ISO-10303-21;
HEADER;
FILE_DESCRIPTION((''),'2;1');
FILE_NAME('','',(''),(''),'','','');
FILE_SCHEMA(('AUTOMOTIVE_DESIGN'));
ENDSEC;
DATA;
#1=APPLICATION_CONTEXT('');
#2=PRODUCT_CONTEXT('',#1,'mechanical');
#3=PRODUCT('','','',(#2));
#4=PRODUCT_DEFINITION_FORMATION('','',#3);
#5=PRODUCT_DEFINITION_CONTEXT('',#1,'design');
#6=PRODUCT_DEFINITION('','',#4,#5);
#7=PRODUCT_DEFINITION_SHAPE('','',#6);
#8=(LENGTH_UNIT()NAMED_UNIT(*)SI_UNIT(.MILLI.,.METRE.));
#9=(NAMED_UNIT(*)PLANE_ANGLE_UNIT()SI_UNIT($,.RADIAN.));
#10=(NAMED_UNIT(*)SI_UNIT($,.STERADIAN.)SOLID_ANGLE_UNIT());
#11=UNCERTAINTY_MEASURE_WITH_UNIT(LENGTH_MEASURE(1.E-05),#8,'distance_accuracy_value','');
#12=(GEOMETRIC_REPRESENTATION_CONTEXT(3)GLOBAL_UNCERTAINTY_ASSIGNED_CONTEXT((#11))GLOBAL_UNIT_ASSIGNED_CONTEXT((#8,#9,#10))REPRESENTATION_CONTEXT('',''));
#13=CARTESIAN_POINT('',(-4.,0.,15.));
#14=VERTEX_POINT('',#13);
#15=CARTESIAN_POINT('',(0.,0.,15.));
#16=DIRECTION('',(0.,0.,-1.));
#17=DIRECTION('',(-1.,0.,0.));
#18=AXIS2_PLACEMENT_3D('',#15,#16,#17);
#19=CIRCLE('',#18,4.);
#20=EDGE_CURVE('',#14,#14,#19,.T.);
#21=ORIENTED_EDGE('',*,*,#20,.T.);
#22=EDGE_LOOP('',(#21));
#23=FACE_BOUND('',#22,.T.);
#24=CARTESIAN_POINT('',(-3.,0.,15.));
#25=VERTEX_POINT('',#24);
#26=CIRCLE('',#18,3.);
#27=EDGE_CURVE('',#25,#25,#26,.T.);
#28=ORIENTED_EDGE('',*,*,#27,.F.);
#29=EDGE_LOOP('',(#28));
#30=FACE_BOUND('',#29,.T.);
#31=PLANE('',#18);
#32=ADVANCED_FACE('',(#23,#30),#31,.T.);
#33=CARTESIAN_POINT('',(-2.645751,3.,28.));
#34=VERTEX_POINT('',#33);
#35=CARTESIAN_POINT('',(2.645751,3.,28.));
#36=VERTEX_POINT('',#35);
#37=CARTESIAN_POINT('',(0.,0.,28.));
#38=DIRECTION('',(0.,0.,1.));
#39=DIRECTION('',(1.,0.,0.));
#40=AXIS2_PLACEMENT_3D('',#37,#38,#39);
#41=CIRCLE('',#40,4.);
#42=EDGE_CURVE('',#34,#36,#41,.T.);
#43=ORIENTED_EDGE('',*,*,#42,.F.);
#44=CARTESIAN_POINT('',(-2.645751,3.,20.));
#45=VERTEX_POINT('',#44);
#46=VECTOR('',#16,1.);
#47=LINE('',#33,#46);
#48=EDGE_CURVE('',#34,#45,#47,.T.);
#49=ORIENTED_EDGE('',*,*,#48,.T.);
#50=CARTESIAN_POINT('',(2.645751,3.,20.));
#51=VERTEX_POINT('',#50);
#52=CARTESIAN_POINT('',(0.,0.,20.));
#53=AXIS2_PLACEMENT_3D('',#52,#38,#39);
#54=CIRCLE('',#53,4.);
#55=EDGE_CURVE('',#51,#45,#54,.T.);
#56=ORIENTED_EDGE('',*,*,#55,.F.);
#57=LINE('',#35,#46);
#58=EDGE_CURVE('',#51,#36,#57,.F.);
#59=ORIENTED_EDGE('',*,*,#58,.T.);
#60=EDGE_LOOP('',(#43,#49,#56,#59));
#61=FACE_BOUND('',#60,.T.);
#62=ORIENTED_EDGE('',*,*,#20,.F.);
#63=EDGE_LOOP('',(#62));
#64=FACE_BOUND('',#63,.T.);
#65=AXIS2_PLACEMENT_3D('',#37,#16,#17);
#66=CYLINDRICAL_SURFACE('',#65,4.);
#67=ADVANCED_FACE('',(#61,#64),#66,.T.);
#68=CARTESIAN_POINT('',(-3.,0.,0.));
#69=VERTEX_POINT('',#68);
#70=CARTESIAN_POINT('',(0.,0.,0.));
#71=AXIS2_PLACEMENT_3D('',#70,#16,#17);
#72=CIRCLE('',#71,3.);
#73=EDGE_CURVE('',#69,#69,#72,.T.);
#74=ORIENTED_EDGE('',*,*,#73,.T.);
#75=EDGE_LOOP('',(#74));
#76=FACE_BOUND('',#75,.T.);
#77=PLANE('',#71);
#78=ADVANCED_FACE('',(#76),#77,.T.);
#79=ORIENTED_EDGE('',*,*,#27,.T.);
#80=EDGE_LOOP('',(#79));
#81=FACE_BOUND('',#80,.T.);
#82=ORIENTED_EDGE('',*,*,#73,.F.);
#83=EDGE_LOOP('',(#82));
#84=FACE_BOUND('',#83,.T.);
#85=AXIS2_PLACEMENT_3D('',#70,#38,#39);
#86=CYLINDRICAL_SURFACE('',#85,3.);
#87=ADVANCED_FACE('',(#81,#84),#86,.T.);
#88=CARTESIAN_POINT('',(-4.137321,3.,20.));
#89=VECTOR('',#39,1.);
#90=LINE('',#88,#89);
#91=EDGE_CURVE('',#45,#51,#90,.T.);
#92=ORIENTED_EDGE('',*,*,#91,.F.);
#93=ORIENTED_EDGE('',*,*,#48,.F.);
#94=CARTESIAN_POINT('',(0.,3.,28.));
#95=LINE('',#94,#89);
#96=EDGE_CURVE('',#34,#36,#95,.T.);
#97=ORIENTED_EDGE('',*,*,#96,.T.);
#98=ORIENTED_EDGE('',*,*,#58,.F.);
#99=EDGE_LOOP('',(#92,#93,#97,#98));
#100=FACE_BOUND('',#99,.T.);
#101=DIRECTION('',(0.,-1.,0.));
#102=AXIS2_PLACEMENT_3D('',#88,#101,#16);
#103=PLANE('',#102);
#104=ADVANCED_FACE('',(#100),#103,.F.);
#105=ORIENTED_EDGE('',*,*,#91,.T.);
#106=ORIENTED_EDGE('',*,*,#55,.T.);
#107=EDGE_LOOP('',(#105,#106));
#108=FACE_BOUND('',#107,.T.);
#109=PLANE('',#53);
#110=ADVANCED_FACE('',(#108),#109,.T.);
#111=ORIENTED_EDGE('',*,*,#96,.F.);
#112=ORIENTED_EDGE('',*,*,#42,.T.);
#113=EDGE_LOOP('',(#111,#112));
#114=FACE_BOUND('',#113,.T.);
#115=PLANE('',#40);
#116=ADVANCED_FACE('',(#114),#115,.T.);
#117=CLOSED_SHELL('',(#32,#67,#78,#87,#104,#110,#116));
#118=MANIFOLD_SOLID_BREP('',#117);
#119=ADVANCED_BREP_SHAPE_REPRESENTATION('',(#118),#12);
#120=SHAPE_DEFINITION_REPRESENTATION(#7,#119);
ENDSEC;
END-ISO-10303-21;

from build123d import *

# Parameters (mm, degrees)
SKETCH_1_R          = 4
EXTRUDE_1_DEPTH     = 28
SKETCH_2_W          = 11.268608601
SKETCH_2_H          = 1.937161227
CUT_EXTRUDE_1_DEPTH = 15
SKETCH_3_W          = 8.764473356
SKETCH_3_H          = 2.433263492
CUT_EXTRUDE_2_DEPTH = 8
SKETCH_4_R          = 4.002706421
CUT_EXTRUDE_3_DEPTH = 15
SKETCH_5_R          = 3
EXTRUDE_2_DEPTH     = 15


with BuildPart() as part:
    # 스케치1 → 보스-돌출1 (new body)
    with BuildSketch(Plane.XY):
        Circle(SKETCH_1_R)
    extrude(amount=EXTRUDE_1_DEPTH)

    # 스케치2 → 컷-돌출1 (cut)
    with BuildSketch(Plane(origin=(0, 0, 0), x_dir=(-1, 0, 0), z_dir=(0, 0, -1))):
        with Locations((0.295298967, 3.968580614)):
            Rectangle(SKETCH_2_W, SKETCH_2_H)
    extrude(amount=-CUT_EXTRUDE_1_DEPTH, mode=Mode.SUBTRACT)

    # 스케치3 → 컷-돌출2 (cut)
    with BuildSketch(Plane.XY.offset(28)):
        with Locations((0.244916085, 4.216631746)):
            Rectangle(SKETCH_3_W, SKETCH_3_H)
    extrude(amount=-CUT_EXTRUDE_2_DEPTH, mode=Mode.SUBTRACT)

    # 스케치4 → 컷-돌출3 (cut)
    with BuildSketch(Plane(origin=(0, 0, 0), x_dir=(-1, 0, 0), z_dir=(0, 0, -1))):
        Circle(SKETCH_4_R)
    extrude(amount=-CUT_EXTRUDE_3_DEPTH, mode=Mode.SUBTRACT)

    # 스케치5 → 보스-돌출2 (add)
    with BuildSketch(Plane(origin=(0, 0, 15), x_dir=(-1, 0, 0), z_dir=(0, 0, -1))):
        Circle(SKETCH_5_R)
    extrude(amount=EXTRUDE_2_DEPTH)


solid = part.part
